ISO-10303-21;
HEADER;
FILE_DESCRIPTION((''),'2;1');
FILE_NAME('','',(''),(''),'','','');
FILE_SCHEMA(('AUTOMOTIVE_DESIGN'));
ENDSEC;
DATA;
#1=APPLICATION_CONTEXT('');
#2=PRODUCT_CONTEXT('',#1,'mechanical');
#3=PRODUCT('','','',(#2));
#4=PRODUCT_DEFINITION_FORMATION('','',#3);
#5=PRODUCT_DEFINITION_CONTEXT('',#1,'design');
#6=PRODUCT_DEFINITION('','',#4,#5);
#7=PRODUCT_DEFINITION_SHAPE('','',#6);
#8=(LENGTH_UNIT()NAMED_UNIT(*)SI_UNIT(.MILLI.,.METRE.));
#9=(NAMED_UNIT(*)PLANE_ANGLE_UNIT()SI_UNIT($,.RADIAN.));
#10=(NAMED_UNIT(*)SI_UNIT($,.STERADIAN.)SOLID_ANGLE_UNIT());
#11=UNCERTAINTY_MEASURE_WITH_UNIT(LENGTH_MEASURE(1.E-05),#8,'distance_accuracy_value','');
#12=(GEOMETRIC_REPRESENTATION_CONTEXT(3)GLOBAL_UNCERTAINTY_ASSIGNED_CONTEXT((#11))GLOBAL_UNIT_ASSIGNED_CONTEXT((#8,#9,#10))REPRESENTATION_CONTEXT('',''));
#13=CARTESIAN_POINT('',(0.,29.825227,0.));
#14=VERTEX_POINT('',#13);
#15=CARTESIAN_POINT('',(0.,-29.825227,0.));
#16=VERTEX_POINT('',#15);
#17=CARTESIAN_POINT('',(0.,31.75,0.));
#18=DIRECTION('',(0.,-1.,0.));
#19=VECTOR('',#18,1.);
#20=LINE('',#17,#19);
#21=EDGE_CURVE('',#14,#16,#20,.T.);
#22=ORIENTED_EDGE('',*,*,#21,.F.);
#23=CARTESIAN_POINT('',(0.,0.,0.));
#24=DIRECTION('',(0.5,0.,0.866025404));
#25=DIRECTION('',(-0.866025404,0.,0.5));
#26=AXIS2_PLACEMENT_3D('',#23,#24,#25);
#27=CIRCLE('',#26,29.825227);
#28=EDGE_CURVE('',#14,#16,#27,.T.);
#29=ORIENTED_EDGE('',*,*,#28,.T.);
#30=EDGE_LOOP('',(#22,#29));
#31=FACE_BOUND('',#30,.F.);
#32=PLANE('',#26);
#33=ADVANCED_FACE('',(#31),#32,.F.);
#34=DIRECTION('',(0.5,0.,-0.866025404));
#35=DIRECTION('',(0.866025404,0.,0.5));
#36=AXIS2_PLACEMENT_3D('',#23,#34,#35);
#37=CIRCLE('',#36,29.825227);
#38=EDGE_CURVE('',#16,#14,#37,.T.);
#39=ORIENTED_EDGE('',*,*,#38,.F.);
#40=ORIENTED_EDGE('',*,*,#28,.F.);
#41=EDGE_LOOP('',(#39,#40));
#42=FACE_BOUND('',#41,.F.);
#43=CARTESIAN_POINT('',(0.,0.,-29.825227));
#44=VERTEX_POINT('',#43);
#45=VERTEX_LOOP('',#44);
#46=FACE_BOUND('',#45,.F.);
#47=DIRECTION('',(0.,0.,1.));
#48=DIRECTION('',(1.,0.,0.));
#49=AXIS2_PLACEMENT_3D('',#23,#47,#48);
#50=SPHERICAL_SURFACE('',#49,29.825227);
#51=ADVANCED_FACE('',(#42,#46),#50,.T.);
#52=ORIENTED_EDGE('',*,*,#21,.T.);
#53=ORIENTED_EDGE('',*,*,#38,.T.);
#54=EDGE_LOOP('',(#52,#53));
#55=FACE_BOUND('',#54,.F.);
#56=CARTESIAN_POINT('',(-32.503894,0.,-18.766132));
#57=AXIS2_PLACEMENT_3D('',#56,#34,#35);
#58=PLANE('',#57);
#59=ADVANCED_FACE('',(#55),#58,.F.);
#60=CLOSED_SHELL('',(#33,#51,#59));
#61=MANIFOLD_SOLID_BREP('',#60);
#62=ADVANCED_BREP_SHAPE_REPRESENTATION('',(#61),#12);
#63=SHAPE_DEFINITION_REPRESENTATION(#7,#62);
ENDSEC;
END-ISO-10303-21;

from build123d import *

# Parameters (mm, degrees)
F3_DEPTH = 31.75


with BuildPart() as f1:
    # F0 (on Front) → F1 (revolve)
    with BuildSketch(Plane.XZ):
        with BuildLine():
            Line((0, 0), (0, -29.8252274394))
            ThreePointArc((0, -29.8252274394), (29.8252274394, 0), (0, 29.8252274394))
            Line((0, 29.8252274394), (0, 0))
        make_face()
    revolve(axis=Axis((0, 0, -3.7715565413), (0, 0, -1)))

    # F2 (on Front) → F3 (cut, symmetric)
    with BuildSketch(Plane.XZ):
        Polygon((-32.5038938461, -18.7661318617), (0, 0), (-32.0565249689, 18.5078433201), align=None)
    extrude(amount=F3_DEPTH, both=True, mode=Mode.SUBTRACT)


solid = f1.part
